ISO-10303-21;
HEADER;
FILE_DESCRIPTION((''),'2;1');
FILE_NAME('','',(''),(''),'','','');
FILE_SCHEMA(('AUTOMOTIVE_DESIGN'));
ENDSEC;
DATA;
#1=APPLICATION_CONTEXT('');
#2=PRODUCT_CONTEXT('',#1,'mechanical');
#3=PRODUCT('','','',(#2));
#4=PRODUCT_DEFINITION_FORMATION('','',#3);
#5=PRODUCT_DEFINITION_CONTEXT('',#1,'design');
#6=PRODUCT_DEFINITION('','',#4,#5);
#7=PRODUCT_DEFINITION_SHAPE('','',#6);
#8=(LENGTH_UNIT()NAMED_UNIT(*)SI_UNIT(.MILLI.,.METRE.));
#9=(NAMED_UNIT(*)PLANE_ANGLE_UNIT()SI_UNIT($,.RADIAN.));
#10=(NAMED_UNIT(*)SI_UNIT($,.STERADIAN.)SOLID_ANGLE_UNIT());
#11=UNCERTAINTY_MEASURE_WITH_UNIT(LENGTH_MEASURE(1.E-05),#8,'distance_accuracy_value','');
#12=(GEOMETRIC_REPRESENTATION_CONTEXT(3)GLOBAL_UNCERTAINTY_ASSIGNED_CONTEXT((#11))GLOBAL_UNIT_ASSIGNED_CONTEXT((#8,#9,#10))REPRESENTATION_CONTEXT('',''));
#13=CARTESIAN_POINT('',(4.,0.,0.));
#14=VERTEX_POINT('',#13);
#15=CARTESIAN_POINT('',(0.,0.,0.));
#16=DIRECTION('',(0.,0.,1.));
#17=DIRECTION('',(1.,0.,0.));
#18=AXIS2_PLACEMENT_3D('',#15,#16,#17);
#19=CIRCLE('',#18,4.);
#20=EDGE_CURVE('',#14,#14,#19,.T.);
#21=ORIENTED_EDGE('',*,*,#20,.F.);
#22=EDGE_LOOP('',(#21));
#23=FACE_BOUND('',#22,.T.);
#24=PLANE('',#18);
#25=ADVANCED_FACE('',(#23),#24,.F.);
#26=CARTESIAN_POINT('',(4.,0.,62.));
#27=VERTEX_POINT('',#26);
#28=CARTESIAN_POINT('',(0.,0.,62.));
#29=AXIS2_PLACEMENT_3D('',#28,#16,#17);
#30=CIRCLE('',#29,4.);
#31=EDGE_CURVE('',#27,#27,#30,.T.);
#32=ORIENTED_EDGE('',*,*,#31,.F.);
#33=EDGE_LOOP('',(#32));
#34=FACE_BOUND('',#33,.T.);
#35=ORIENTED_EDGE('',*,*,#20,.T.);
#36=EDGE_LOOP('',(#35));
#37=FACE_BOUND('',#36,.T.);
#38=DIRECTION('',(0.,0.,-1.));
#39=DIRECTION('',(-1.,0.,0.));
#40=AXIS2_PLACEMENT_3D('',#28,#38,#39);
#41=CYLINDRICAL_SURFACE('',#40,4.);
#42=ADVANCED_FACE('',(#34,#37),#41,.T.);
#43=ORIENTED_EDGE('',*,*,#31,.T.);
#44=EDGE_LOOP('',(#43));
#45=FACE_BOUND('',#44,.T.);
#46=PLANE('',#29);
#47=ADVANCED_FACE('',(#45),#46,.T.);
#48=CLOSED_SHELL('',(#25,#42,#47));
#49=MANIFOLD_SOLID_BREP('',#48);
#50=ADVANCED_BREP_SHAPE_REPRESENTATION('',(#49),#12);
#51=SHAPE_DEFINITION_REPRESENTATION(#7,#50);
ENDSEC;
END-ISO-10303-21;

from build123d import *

# Parameters (mm, degrees)
SKETCH_1_R      = 4
EXTRUDE_1_DEPTH = 62


with BuildPart() as part:
    # 草图1 → 凸台-拉伸1 (new body)
    with BuildSketch(Plane.XY):
        Circle(SKETCH_1_R)
    extrude(amount=EXTRUDE_1_DEPTH)


solid = part.part
